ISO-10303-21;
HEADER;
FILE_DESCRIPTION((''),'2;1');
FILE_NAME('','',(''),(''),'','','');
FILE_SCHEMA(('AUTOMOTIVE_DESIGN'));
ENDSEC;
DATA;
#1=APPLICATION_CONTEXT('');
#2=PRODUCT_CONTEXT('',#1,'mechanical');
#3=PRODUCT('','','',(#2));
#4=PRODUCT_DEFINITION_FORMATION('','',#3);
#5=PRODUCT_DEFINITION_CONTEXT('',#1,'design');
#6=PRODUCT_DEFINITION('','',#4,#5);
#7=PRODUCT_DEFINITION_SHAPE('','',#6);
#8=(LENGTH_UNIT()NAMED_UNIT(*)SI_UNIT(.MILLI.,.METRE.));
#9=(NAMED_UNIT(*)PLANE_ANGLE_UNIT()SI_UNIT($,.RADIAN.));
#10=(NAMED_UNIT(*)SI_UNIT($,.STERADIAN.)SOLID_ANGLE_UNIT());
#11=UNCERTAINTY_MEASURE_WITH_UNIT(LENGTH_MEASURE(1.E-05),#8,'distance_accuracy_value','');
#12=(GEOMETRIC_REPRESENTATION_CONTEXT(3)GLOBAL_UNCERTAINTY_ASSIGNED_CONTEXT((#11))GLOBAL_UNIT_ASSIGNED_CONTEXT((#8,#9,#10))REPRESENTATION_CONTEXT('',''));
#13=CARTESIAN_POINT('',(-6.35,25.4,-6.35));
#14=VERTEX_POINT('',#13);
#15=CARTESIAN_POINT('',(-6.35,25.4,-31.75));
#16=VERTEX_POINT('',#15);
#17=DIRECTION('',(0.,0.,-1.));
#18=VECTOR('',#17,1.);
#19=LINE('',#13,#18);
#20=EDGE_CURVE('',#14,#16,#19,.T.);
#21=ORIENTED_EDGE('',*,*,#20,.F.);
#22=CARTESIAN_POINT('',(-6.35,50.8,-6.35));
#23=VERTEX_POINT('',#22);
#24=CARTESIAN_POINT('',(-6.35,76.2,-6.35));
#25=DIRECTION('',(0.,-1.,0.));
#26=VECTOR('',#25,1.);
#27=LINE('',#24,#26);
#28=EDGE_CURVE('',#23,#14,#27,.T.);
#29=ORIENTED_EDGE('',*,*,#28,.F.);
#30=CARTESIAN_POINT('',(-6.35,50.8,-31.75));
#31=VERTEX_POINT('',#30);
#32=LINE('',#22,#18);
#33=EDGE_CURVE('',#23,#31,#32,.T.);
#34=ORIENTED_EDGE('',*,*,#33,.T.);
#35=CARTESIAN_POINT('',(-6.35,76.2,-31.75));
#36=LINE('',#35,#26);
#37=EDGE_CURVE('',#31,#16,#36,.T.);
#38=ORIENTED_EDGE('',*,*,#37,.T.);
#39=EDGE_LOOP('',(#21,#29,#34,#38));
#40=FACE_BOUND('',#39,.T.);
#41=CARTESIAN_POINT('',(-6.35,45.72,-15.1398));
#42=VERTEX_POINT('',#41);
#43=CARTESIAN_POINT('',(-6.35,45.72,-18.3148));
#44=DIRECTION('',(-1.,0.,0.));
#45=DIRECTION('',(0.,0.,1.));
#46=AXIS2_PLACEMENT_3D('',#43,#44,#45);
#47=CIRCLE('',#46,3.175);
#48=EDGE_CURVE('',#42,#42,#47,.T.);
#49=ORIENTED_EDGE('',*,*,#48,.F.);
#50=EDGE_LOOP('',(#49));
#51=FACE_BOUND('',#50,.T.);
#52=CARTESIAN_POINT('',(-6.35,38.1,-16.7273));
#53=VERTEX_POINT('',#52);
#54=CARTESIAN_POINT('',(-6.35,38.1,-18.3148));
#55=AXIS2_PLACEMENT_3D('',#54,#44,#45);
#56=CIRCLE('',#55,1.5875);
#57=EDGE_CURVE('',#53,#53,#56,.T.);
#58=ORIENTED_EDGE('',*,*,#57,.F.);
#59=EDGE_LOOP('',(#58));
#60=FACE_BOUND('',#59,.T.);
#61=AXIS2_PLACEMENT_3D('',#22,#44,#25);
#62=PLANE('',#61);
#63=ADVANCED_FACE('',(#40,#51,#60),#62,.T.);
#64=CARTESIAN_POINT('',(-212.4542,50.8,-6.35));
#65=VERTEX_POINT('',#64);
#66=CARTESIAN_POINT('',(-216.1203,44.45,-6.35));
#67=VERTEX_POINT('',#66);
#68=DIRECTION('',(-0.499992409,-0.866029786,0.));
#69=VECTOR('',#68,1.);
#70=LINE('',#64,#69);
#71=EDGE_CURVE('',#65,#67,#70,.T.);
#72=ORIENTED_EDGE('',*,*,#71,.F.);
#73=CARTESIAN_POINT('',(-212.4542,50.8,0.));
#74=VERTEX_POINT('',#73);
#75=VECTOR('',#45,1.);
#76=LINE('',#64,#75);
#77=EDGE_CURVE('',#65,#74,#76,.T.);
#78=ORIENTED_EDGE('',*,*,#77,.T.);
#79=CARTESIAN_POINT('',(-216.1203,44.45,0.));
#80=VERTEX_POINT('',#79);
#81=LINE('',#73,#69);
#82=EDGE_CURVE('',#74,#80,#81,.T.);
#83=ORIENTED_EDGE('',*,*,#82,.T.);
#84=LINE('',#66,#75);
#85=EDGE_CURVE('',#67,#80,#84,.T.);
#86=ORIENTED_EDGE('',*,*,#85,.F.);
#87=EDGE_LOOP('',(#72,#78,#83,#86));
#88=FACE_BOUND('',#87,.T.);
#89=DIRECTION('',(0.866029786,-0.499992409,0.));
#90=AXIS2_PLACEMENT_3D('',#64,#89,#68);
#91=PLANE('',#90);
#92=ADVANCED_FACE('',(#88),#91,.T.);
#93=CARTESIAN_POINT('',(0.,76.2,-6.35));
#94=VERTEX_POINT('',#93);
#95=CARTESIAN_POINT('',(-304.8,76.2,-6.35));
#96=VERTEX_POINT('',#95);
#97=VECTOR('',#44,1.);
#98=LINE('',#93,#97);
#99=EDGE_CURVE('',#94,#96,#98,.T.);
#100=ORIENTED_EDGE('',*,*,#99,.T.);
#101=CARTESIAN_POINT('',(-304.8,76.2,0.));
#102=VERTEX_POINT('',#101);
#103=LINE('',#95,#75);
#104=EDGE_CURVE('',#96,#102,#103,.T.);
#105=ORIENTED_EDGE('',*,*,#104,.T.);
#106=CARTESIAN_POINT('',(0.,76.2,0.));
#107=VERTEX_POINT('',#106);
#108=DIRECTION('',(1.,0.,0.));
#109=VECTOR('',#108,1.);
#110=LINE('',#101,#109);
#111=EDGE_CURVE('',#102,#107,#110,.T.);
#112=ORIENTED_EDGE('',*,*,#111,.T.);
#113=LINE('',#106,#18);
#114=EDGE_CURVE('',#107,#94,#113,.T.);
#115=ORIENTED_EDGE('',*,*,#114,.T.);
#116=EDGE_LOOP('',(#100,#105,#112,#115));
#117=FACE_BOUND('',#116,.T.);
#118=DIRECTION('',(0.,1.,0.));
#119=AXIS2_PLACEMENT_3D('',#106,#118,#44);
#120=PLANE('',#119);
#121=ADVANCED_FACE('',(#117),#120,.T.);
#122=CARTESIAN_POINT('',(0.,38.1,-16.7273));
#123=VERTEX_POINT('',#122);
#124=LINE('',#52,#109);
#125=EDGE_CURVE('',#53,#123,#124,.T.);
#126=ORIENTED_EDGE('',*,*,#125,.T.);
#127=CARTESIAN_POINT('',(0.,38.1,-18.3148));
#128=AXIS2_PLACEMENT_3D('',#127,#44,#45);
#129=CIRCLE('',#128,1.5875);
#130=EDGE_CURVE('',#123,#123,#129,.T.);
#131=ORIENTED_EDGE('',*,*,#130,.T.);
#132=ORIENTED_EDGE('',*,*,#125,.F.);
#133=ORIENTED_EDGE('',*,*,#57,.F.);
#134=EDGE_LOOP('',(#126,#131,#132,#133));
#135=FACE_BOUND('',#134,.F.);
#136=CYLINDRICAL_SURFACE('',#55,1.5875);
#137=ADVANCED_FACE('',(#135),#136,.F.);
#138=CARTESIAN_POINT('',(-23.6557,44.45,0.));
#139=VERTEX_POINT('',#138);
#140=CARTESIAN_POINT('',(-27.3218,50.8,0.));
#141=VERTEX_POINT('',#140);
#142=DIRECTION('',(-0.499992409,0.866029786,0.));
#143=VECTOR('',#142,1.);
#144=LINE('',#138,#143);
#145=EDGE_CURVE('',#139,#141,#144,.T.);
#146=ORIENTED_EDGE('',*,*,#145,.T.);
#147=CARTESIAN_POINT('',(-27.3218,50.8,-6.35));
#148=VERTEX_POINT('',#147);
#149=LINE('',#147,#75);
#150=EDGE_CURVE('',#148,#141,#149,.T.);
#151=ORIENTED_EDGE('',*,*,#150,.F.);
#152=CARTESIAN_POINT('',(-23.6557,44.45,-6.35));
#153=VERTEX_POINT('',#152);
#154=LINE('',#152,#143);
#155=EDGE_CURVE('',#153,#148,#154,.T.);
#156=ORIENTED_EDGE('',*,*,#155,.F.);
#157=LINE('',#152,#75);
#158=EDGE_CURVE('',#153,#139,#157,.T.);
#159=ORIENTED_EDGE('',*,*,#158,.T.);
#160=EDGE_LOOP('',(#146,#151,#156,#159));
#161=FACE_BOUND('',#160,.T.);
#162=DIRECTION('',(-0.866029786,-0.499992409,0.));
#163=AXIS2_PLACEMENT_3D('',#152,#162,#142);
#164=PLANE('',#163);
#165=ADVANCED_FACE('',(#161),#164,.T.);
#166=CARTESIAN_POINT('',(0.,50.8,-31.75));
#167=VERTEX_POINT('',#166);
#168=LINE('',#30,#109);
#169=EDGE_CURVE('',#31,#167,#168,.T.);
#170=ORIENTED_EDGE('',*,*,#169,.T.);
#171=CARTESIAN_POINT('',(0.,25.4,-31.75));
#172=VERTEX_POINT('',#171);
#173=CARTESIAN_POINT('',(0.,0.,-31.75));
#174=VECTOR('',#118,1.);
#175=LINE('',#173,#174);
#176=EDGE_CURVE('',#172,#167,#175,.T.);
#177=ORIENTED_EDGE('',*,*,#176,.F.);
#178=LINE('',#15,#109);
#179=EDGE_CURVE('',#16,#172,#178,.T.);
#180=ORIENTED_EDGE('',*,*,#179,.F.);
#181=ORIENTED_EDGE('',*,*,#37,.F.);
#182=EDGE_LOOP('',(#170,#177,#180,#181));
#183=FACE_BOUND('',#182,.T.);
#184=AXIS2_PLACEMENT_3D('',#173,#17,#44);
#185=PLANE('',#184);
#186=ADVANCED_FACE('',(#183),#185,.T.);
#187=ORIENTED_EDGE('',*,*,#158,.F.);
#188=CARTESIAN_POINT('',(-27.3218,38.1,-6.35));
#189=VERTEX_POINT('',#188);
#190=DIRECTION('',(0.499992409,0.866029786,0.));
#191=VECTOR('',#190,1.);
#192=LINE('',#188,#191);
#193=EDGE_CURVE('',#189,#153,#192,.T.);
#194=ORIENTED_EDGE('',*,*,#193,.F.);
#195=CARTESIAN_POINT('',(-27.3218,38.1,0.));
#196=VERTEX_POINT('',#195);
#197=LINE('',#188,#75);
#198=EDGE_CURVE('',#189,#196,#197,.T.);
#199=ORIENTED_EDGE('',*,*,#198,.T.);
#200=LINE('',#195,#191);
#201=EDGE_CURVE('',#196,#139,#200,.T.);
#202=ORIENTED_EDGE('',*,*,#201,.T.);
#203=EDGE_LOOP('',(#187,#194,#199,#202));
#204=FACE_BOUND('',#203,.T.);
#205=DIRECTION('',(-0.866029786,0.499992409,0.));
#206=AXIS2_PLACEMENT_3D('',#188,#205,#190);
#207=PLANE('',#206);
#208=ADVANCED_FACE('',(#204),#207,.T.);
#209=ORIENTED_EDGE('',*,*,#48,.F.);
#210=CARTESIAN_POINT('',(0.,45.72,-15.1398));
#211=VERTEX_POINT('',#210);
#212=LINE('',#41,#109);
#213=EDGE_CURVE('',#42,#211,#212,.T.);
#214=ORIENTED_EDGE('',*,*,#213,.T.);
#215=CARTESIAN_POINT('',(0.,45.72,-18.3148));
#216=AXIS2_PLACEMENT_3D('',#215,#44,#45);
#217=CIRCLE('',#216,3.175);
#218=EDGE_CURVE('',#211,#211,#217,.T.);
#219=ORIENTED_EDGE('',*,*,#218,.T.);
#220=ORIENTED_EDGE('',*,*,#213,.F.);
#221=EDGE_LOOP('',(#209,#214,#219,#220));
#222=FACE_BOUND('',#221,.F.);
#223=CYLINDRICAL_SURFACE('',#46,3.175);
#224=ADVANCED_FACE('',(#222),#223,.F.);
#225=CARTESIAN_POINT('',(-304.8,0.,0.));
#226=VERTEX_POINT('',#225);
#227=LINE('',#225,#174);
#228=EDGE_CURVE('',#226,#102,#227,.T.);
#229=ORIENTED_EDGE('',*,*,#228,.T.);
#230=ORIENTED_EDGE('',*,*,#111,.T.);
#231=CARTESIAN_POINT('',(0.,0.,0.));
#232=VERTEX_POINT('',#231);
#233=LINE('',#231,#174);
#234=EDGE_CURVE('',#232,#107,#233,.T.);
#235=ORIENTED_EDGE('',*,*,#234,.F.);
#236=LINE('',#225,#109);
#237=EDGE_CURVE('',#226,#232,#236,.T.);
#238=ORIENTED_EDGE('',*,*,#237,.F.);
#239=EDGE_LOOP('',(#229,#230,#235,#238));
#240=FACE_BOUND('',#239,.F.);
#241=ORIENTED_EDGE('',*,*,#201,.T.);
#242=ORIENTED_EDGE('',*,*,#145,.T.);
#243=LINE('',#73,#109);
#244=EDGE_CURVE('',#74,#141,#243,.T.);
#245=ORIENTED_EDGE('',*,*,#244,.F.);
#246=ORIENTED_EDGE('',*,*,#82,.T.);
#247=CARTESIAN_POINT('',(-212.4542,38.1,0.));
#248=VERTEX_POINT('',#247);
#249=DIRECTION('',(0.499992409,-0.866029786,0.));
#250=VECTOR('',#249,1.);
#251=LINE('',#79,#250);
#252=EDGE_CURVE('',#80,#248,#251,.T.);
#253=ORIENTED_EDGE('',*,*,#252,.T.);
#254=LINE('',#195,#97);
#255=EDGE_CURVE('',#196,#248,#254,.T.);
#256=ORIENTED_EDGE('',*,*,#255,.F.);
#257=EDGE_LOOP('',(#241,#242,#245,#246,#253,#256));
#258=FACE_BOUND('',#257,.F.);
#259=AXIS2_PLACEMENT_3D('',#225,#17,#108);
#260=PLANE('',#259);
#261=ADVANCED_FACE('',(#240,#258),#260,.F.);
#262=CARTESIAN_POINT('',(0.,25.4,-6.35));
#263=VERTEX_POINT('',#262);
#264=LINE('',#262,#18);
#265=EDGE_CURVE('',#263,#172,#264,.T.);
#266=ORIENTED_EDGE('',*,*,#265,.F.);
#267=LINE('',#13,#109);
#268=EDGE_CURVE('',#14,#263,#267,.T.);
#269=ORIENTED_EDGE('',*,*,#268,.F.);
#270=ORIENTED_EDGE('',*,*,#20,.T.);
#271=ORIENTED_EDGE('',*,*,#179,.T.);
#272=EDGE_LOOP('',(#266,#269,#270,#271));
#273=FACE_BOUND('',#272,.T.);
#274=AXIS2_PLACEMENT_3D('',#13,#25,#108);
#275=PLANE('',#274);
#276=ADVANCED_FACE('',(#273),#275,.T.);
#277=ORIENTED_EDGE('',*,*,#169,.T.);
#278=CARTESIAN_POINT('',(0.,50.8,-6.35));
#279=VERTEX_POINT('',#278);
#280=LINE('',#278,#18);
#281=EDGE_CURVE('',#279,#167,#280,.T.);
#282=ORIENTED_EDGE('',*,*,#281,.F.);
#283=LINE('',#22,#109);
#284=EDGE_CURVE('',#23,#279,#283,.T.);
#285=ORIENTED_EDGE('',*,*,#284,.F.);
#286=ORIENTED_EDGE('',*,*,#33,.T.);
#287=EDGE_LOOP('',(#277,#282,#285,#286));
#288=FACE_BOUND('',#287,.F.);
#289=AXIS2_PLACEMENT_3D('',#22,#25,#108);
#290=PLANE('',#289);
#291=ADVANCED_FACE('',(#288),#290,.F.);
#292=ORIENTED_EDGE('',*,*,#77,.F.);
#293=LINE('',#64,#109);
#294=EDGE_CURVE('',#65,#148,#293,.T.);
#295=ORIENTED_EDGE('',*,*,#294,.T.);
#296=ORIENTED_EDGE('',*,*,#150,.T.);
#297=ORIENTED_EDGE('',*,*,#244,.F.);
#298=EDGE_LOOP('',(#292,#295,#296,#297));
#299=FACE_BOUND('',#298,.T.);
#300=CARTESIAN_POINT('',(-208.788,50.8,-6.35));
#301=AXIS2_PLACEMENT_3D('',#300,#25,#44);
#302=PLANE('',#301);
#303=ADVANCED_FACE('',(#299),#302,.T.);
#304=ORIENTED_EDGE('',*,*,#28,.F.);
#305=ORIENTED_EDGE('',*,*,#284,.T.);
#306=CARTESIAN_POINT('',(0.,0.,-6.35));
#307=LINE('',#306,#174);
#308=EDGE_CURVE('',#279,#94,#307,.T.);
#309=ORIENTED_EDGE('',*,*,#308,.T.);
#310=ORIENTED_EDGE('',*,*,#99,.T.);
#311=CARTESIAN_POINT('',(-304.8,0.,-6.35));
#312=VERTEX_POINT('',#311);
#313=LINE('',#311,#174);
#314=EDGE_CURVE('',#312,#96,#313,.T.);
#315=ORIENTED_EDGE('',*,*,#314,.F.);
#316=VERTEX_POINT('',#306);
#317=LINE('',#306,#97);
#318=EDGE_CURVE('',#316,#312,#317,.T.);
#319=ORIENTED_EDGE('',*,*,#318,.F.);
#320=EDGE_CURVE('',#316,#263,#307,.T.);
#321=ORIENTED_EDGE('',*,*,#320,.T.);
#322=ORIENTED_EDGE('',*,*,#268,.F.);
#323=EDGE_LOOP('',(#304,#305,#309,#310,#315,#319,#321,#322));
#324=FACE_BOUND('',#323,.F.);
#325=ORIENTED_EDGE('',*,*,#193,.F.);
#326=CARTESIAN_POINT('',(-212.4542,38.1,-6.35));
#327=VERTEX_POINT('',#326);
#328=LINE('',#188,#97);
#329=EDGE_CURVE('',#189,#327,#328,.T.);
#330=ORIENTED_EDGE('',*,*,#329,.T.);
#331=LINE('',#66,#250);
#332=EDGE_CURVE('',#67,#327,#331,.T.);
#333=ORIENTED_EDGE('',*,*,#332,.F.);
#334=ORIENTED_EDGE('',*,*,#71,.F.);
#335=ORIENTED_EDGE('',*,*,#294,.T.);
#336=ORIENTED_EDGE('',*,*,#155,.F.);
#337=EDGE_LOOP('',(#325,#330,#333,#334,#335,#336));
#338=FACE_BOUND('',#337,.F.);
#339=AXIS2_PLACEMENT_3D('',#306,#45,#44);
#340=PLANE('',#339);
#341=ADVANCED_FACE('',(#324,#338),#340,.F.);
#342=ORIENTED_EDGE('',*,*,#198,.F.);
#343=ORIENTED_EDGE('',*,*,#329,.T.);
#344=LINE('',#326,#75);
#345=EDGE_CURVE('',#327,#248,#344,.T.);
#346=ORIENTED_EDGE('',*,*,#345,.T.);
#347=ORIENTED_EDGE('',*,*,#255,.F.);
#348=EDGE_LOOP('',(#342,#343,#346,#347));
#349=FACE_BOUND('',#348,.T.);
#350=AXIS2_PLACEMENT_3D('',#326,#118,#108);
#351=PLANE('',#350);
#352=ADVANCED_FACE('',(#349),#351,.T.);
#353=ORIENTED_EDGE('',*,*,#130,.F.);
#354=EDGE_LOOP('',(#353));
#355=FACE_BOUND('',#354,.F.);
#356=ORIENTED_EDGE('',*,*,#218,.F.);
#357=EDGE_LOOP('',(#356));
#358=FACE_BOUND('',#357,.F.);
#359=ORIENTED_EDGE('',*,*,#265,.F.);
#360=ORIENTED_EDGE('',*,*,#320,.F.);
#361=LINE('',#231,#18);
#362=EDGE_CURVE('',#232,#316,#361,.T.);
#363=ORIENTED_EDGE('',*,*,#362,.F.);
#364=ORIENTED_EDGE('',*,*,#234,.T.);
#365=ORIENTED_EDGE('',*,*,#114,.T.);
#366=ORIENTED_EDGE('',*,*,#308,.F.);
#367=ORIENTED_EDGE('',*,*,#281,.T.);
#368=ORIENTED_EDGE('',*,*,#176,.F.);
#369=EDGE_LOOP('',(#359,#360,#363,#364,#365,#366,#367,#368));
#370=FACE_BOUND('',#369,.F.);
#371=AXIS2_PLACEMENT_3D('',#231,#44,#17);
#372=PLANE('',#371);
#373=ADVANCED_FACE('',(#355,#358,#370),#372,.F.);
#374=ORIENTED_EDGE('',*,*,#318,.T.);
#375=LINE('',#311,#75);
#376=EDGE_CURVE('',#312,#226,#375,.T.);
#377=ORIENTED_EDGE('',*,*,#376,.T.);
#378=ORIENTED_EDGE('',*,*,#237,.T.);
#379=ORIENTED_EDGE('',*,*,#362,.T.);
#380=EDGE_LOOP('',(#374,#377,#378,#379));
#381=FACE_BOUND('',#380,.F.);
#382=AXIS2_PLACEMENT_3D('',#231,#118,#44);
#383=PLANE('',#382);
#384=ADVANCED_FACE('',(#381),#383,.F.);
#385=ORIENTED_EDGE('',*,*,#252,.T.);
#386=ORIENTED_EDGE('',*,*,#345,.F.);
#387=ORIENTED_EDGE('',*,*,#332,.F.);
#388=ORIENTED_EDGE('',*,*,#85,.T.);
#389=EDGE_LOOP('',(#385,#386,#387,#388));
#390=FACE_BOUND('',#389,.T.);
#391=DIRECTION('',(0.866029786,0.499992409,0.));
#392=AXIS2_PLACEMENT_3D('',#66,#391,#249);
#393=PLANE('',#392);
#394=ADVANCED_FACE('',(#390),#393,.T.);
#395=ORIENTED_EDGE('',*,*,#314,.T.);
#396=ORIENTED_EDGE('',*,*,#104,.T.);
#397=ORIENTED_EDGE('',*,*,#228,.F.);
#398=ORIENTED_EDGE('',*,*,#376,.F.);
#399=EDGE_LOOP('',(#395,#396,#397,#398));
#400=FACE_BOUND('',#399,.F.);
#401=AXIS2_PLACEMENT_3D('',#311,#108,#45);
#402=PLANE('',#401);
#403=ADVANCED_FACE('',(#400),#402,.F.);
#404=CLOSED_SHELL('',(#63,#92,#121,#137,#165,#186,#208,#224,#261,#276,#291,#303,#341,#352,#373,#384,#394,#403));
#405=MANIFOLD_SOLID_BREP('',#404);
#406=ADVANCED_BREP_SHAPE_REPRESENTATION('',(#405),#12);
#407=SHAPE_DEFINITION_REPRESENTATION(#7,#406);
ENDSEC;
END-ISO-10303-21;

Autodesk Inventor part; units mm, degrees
ref_plane "YZ Plane" through (0, 0, 0) normal (1, 0, 0) x (0, 1, 0)
ref_plane "XZ Plane" through (0, 0, 0) normal (0, 1, 0) x (-1, 0, 0)
ref_plane "XY Plane" through (0, 0, 0) normal (0, 0, 1) x (1, 0, 0)
sketch "Sketch1" plane through (0, 0, 0) normal (0, 1, 0) x (-1, 0, 0)
  line L0 (0, 0) -> (0, -6.35)
  line L1 (0, -6.35) -> (304.8, -6.35)
  line L2 (304.8, -6.35) -> (304.8, 0)
  line L3 (304.8, 0) -> (0, 0)
  dimension "d0" = 6.35
  dimension "d1" = 304.8
extrude "Extrusion1" add sketch "Sketch1" along normal blind 76.2
sketch "Sketch2" plane through (-304.8, 0, 0) normal (0, 0, 1) x (1, 0, 0)
  line L0 (273.812, 50.8) -> (96.012, 50.8)
  line L1 (96.012, 50.8) -> (96.012, 38.1)
  line L2 (96.012, 38.1) -> (273.812, 38.1)
  line L3 (273.812, 38.1) -> (273.812, 50.8)
  line L4 (96.012, 50.8) -> (35.1357, 42.2552)
  line L5 (35.1357, 42.2552) -> (36.5673, 32.0558)
  line L6 (36.5673, 32.0558) -> (97.4436, 40.6006)
  line L7 (97.4436, 40.6006) -> (96.012, 50.8)
  line L8 (0, 76.2) -> (304.8, 76.2) projected
  line L9 (304.8, 0) -> (304.8, 76.2) projected
  dimension "d4" = 177.8
  dimension "d5" = 12.7
  dimension "d24" = 25.4
  dimension "d25" = 30.988
sketch "Sketch3" plane through (-304.8, 0, 0) normal (0, 0, 1) x (1, 0, 0)
  point P0 (304.8, 0)
extrude "Extrusion2" cut sketch "Sketch2" against normal blind 6.35 contours L3 L2 L1 L6 L7 L0 | L7 L6 L1
sketch "Sketch4" plane through (-304.8, 0, 0) normal (0, 0, 1) x (1, 0, 0)
  point P0 (304.8, 0)
sketch "Sketch5" plane through (0, 0, -6.35) normal (0, 0, -1) x (-1, 0, 0)
  line L0 (0, 0) -> (0, 76.2) projected
  line L1 (0, 76.2) -> (6.35, 76.2)
  line L2 (6.35, 76.2) -> (6.35, 25.4)
  line L3 (6.35, 25.4) -> (0, 25.4)
  line L4 (0, 25.4) -> (0, 76.2)
  line L5 (0, 76.2) -> (304.8, 76.2) projected
  line L6 (0, 76.2) -> (6.35, 76.2)
  line L7 (6.35, 76.2) -> (6.35, 50.8)
  line L8 (6.35, 50.8) -> (0, 50.8)
  line L9 (0, 50.8) -> (0, 76.2)
  dimension "d8" = 6.35
  dimension "d9" = 50.8
  dimension "d11" = 25.4
extrude "Extrusion3" add sketch "Sketch5" along normal blind 25.4 contours L0 L8 L2 L3
sketch "Sketch6" plane through (-6.35, 25.4, -6.35) normal (-1, 0, 0) x (0, 0, 1)
  circle A0 centre (-11.9648, 20.32) radius 3.175
  circle A1 centre (-11.9648, 12.7) radius 1.5875
  line L0 (0, 0) -> (-25.4, 0) projected
  line L1 (-25.4, 25.4) -> (0, 25.4) projected
  point P0 (6.35, -25.4)
  dimension "d14" = 6.35
  dimension "d15" = 3.175
  dimension "d16" = 12.7
  dimension "d17" = 5.08
extrude "Extrusion4" cut sketch "Sketch6" against normal blind 6.35
sketch "Sketch7" plane through (0, 0, -6.35) normal (0, 0, -1) x (-1, 0, 0)
  line L0 (30.988, 38.1) -> (30.988, 50.8) projected
  line L1 (23.6557, 44.45) -> (27.3218, 50.8)
  line L2 (27.3218, 50.8) -> (34.6542, 50.8)
  line L3 (34.6542, 50.8) -> (38.3203, 44.45)
  line L4 (38.3203, 44.45) -> (34.6542, 38.1)
  line L5 (34.6542, 38.1) -> (27.3218, 38.1)
  line L6 (27.3218, 38.1) -> (23.6557, 44.45)
  line L7 (208.788, 50.8) -> (208.788, 38.1) projected
  line L8 (201.4557, 44.45) -> (205.1218, 50.8)
  line L9 (205.1218, 50.8) -> (212.4542, 50.8)
  line L10 (212.4542, 50.8) -> (216.1203, 44.45)
  line L11 (216.1203, 44.45) -> (212.4542, 38.1)
  line L12 (212.4542, 38.1) -> (205.1218, 38.1)
  line L13 (205.1218, 38.1) -> (201.4557, 44.45)
  point P0 (0, 0)
  point P1 (30.988, 44.45)
  point P2 (208.788, 44.45)
  dimension "d20" = 12.7
  dimension "d21" = 12.7
extrude "Extrusion5" cut sketch "Sketch7" against normal blind 6.35
properties part number "Plate add on"
